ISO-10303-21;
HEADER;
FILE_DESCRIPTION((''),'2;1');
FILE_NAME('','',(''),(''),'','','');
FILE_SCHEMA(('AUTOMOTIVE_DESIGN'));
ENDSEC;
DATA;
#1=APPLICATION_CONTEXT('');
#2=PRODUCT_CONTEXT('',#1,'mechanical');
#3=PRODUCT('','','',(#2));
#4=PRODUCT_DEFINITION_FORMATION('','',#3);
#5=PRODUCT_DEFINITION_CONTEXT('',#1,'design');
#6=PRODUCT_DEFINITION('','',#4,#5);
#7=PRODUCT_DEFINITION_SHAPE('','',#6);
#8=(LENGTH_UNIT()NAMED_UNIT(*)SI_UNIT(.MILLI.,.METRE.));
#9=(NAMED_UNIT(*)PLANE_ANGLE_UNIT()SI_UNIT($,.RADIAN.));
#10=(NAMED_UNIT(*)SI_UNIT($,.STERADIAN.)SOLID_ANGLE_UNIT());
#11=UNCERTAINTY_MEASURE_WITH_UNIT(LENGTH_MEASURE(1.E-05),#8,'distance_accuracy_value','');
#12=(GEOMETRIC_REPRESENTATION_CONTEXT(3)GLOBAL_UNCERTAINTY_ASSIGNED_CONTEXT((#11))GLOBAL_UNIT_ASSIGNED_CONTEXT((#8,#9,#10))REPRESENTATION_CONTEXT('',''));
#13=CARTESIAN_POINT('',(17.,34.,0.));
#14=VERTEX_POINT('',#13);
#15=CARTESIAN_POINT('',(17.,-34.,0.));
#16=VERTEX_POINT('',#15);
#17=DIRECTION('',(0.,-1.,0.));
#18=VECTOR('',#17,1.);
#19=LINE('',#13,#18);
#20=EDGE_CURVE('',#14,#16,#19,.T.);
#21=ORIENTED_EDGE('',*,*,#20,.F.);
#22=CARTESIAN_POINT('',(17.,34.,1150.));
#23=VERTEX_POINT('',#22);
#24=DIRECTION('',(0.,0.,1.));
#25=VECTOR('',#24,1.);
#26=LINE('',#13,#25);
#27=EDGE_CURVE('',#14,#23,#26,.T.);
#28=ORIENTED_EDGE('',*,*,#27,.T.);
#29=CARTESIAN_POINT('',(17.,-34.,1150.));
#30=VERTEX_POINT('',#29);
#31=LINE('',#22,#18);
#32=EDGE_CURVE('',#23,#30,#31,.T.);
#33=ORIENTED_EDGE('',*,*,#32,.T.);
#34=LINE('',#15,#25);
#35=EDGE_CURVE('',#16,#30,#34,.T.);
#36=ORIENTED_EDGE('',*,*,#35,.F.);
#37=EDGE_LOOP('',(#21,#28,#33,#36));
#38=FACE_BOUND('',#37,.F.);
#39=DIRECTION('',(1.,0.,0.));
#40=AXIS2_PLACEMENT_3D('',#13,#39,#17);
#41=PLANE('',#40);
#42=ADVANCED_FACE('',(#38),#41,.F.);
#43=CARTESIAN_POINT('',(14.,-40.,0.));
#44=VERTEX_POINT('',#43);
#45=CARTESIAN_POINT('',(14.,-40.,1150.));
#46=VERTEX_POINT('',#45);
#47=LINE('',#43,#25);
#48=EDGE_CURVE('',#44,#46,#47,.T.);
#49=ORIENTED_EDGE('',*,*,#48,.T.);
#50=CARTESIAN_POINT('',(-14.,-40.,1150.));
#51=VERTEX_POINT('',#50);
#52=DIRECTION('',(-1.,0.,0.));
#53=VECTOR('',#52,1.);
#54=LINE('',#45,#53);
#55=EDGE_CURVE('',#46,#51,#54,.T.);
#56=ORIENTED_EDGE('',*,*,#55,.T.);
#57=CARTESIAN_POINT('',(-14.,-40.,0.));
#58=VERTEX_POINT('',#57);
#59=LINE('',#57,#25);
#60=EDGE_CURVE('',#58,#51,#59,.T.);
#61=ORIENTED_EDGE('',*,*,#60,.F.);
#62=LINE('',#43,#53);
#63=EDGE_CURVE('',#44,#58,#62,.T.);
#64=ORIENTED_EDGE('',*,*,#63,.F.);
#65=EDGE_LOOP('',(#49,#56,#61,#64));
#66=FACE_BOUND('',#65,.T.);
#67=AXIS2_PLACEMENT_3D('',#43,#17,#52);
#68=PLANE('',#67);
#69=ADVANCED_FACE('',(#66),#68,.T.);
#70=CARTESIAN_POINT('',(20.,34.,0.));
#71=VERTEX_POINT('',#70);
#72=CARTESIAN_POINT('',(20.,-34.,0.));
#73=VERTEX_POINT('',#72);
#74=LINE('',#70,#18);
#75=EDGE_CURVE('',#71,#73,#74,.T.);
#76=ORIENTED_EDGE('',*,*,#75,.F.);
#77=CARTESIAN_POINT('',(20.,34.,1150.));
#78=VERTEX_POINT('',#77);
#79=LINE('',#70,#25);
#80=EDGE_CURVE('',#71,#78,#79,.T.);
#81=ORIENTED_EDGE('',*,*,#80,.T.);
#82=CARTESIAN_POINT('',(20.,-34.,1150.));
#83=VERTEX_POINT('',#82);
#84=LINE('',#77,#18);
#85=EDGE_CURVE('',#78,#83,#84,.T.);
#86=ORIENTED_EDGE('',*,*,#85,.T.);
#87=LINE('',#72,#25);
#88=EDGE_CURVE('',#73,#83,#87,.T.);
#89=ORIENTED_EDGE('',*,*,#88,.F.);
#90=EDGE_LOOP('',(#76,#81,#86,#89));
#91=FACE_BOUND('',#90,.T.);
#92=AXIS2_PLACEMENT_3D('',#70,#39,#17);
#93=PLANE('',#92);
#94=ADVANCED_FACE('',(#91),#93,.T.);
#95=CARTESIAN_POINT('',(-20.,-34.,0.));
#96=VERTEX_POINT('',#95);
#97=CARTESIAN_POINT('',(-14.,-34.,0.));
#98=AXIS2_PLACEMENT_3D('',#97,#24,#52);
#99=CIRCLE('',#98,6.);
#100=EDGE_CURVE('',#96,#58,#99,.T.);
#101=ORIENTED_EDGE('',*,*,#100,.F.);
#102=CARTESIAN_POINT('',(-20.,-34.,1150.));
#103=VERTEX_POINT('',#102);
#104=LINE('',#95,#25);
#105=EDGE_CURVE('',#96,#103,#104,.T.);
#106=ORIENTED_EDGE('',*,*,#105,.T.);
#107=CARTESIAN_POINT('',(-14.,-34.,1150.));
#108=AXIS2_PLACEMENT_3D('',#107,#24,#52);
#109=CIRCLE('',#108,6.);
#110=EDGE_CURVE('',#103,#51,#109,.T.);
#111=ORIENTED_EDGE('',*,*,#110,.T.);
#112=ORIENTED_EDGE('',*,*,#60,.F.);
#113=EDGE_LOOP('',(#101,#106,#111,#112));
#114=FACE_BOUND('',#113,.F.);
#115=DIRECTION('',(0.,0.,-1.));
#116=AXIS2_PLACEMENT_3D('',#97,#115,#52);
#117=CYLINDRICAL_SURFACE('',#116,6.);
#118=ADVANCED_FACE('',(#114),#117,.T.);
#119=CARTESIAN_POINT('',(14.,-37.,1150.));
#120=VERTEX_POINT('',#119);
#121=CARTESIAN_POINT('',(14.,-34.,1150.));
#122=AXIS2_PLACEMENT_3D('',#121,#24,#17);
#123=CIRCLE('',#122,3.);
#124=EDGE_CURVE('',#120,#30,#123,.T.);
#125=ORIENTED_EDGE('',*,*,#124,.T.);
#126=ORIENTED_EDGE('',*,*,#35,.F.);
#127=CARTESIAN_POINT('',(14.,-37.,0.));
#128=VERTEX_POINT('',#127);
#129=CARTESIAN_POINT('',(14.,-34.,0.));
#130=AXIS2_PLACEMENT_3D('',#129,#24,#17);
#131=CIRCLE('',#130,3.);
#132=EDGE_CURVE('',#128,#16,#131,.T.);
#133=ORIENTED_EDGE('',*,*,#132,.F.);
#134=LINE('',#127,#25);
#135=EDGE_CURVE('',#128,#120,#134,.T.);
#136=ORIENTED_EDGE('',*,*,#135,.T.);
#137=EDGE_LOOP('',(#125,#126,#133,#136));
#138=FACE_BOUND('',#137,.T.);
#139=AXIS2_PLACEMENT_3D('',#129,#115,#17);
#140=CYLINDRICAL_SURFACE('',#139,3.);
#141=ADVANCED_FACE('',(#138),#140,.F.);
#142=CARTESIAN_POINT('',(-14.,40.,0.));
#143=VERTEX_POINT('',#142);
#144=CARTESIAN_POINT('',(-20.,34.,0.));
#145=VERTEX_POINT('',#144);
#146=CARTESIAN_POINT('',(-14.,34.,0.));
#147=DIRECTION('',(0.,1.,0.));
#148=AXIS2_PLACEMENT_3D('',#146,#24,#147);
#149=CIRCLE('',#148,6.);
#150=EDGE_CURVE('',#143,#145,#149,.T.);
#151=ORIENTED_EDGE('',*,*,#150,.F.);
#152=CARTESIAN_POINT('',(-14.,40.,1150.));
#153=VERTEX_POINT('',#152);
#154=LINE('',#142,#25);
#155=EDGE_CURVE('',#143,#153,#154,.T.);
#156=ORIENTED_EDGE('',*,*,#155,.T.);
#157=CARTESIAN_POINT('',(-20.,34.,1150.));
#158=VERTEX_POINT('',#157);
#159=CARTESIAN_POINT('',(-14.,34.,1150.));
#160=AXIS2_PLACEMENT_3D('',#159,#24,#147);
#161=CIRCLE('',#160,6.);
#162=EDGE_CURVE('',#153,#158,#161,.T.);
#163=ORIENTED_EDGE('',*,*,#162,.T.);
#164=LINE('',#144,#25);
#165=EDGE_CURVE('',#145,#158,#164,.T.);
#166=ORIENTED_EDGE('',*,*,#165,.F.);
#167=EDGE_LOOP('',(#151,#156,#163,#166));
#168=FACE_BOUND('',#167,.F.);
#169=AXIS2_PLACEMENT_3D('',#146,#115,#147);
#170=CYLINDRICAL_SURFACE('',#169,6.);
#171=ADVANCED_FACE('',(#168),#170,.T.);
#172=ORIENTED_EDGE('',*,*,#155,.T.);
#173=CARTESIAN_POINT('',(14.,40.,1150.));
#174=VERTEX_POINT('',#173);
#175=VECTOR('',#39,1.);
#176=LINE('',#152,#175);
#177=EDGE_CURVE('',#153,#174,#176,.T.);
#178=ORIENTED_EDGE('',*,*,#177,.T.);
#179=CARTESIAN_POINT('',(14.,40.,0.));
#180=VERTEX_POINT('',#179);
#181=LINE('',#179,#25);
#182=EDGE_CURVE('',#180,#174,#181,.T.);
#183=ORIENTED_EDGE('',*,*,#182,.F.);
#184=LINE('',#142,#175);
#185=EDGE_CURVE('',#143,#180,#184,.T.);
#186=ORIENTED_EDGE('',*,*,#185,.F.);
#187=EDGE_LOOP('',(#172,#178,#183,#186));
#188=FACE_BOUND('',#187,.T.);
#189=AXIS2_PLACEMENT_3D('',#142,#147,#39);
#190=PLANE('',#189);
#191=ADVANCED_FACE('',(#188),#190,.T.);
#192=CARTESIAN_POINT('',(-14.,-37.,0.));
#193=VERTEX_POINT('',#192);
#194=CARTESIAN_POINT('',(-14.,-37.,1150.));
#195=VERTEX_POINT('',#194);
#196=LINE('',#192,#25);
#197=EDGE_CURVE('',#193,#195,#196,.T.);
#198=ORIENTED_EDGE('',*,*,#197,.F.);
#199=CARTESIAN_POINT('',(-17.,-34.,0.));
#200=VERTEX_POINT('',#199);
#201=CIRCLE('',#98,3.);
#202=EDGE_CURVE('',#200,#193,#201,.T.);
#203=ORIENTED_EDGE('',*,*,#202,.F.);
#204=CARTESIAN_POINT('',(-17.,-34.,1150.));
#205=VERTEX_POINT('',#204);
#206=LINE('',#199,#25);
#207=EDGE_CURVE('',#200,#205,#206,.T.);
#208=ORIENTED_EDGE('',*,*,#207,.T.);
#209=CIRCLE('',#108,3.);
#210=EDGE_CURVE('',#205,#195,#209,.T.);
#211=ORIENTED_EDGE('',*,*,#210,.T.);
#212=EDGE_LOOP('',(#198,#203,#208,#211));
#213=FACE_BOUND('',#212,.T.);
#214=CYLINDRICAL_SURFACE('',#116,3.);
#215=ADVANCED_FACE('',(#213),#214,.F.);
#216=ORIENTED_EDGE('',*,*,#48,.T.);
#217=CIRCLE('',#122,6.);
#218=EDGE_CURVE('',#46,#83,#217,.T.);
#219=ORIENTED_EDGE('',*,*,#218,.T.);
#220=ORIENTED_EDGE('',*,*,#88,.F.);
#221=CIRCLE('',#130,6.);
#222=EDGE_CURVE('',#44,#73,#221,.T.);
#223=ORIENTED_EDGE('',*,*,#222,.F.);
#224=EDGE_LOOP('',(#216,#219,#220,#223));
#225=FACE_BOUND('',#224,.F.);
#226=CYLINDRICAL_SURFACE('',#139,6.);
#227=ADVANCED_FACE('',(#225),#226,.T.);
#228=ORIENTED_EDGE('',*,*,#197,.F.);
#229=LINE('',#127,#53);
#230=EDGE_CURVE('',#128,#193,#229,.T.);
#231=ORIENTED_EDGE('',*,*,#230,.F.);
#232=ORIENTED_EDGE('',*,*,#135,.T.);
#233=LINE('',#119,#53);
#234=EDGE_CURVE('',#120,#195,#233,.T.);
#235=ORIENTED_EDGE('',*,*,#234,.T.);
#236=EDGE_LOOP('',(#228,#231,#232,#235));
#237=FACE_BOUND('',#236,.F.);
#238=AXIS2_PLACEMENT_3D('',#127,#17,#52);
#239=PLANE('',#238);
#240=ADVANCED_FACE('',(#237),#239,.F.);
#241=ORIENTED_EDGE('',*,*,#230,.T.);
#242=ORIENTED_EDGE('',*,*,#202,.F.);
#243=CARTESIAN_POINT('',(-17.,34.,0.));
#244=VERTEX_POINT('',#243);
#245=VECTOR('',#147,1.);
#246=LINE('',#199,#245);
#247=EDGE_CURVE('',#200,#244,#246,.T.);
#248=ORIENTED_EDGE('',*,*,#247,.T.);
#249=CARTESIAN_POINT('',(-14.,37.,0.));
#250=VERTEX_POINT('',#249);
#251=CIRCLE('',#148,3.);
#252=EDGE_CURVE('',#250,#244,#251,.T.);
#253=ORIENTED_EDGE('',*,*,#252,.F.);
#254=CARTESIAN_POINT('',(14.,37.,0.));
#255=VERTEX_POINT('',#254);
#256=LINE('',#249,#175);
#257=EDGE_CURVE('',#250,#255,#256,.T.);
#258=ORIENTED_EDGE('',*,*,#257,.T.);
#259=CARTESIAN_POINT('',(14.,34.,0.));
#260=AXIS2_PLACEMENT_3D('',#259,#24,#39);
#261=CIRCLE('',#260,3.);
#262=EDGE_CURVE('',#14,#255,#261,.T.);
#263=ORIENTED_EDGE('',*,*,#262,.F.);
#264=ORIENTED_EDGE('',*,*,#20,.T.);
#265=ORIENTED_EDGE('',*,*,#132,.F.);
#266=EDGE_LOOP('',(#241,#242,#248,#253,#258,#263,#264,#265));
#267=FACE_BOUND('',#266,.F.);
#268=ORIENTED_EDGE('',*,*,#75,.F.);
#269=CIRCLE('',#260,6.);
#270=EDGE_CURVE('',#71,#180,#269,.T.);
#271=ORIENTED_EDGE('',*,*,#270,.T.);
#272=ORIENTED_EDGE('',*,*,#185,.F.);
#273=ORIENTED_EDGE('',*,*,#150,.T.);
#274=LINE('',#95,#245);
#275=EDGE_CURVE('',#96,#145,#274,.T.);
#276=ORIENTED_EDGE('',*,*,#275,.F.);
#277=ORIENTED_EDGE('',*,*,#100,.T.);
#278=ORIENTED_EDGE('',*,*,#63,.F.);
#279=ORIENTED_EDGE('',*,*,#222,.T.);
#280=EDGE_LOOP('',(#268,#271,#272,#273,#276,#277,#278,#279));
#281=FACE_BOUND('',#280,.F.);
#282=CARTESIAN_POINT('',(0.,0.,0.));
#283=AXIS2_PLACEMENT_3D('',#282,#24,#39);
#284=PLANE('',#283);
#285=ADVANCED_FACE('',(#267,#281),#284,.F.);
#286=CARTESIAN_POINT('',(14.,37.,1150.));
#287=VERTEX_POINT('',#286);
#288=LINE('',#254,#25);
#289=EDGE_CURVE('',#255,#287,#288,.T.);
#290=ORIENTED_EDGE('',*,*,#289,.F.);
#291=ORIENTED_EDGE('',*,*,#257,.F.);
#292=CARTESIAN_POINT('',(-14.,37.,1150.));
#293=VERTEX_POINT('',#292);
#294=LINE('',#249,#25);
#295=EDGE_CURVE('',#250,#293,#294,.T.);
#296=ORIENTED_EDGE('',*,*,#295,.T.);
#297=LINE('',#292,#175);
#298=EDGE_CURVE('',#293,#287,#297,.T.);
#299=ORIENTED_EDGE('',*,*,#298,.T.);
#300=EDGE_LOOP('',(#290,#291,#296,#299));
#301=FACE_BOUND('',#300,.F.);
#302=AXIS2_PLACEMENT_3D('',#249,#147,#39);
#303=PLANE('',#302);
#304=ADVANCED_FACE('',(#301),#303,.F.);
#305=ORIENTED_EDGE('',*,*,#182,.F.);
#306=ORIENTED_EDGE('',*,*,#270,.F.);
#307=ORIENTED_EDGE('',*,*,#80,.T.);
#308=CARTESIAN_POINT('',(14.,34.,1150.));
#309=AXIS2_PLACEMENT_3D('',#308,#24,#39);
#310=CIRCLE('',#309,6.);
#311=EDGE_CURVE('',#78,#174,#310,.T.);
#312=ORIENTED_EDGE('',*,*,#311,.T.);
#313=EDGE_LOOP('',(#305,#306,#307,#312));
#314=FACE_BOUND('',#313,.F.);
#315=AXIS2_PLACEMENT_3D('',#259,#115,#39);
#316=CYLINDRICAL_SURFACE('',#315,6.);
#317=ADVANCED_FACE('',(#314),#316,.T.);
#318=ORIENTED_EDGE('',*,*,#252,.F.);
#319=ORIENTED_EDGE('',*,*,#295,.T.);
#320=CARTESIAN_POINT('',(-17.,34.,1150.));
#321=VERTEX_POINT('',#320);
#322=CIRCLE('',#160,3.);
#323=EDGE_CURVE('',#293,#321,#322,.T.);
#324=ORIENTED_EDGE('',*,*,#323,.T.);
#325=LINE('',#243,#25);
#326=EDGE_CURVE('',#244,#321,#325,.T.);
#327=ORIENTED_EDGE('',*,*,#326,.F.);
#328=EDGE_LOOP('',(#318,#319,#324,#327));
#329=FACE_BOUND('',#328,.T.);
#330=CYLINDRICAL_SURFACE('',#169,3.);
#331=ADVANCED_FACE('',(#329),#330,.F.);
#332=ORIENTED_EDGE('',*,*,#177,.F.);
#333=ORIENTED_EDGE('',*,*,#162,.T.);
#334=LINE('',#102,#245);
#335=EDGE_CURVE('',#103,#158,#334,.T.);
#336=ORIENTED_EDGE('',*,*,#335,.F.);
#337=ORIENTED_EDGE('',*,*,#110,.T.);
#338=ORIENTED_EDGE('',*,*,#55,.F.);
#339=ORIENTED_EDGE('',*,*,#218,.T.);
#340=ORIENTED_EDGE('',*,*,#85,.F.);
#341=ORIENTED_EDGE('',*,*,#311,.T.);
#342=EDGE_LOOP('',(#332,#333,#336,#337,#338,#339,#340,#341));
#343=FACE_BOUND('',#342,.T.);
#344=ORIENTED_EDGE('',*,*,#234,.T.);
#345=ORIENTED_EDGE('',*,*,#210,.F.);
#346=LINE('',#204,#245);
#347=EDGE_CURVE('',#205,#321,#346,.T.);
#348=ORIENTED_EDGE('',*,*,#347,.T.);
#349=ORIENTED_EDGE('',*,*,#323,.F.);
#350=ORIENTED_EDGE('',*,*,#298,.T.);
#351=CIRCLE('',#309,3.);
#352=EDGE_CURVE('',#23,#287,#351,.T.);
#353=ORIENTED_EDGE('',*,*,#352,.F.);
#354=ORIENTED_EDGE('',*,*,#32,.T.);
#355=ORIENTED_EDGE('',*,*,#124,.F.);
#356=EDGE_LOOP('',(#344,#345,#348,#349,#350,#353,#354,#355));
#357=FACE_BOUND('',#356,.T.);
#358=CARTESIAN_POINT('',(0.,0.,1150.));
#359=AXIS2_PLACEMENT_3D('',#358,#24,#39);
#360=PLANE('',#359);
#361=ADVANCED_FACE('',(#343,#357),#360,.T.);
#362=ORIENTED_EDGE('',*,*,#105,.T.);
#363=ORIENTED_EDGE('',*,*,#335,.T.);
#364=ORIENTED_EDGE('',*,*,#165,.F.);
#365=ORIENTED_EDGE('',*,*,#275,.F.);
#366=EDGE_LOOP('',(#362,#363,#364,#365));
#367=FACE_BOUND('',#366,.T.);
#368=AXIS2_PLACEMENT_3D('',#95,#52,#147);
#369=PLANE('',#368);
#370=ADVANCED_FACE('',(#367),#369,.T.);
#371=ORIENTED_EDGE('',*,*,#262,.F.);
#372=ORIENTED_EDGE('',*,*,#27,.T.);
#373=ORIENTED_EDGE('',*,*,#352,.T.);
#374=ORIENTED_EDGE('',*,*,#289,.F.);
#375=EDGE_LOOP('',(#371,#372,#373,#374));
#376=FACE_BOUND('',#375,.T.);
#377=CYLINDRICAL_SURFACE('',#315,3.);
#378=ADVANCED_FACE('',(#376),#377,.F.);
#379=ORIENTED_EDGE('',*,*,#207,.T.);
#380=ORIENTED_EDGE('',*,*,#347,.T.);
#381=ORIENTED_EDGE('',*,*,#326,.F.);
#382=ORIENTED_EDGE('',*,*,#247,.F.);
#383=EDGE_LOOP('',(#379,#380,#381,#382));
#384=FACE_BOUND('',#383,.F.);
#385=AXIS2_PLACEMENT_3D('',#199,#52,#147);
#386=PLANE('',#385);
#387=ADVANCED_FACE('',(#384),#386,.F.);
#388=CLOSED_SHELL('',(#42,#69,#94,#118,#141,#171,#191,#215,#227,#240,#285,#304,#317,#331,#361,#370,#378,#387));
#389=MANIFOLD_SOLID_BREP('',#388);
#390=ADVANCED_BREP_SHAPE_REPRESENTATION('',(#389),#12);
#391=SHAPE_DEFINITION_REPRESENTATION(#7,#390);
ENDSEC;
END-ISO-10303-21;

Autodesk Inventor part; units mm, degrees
ref_plane "YZ Plane" through (0, 0, 0) normal (1, 0, 0) x (0, 1, 0)
ref_plane "Start Plane" through (0, 0, 0) normal (0, 0, 1) x (1, 0, 0)
ref_plane "End Plane" through (0, 0, 1150) normal (0, 0, 1) x (1, 0, 0)
sketch "Sketch" plane through (0, 0, 0) normal (0, 0, 1) x (1, 0, 0)
  line L0 (-20, -34) -> (-20, 34)
  line L1 (-14, 40) -> (14, 40)
  line L2 (20, 34) -> (20, -34)
  line L3 (14, -40) -> (-14, -40)
  arc A0 (-20, -34) -> (-14, -40) centre (-14, -34) ccw
  arc A1 (20, 34) -> (14, 40) centre (14, 34) ccw
  arc A2 (-14, 40) -> (-20, 34) centre (-14, 34) ccw
  arc A3 (14, -40) -> (20, -34) centre (14, -34) ccw
  arc A4 (-14, 37) -> (-17, 34) centre (-14, 34) ccw
  line L4 (-14, 37) -> (14, 37)
  arc A5 (17, 34) -> (14, 37) centre (14, 34) ccw
  line L5 (17, 34) -> (17, -34)
  arc A6 (14, -37) -> (17, -34) centre (14, -34) ccw
  line L6 (14, -37) -> (-14, -37)
  arc A7 (-17, -34) -> (-14, -37) centre (-14, -34) ccw
  line L7 (-17, -34) -> (-17, 34)
  line L8 (0, 57.7397) -> (0, -57.7397) construction
  line L9 (-29.7397, 0) -> (29.7397, 0) construction
  dimension "d7" = 6
  dimension "d9" = 40
  dimension "d11" = 80
  dimension "d12" = 3
  dimension "d15" = 20
  dimension "d16" = 40
extrude "Body" add sketch "Sketch" along normal up to surface (1150 mm away) from surface at 0
sketch "Sketch3" plane through (0, 0, 0) normal (0, 0, 1) x (1, 0, 0)
  line L0 (0, 0) -> (10, 0)
ref_plane "Work Plane3" through (0, 0, 0) normal (0, -1, 0) x (1, 0, 0)
sketch "Sketch4" plane through (0, 0, 0) normal (0, -1, 0) x (1, 0, 0)
  line L0 (-2, 0) -> (12, 0) projected
  line L1 (-2, 1150) -> (12, 1150) projected
  dimension "d18" = 1150
equation "\"d7\" = G_IR"
equation "\"d9\" = G_W"
equation "\"d11\" = G_H"
equation "\"d12\" = G_T"
equation "\"d15\" = 0.5 * d9"
equation "\"d16\" = 0.5 * d11"
equation "\"d3\" = G_L"
equation "\"G_W\" = 40"
equation "\"G_H\" = 80"
equation "\"G_T\" = 3"
equation "\"G_IR\" = 6"
equation "\"G_L\" = d18"
equation "\"G_OFFSET_START\" = 0"
equation "\"G_OFFSET_END\" = 0"
properties part number "ISO 10799-2 - 80x40x3 - 1150" material "Steel, Mild"
